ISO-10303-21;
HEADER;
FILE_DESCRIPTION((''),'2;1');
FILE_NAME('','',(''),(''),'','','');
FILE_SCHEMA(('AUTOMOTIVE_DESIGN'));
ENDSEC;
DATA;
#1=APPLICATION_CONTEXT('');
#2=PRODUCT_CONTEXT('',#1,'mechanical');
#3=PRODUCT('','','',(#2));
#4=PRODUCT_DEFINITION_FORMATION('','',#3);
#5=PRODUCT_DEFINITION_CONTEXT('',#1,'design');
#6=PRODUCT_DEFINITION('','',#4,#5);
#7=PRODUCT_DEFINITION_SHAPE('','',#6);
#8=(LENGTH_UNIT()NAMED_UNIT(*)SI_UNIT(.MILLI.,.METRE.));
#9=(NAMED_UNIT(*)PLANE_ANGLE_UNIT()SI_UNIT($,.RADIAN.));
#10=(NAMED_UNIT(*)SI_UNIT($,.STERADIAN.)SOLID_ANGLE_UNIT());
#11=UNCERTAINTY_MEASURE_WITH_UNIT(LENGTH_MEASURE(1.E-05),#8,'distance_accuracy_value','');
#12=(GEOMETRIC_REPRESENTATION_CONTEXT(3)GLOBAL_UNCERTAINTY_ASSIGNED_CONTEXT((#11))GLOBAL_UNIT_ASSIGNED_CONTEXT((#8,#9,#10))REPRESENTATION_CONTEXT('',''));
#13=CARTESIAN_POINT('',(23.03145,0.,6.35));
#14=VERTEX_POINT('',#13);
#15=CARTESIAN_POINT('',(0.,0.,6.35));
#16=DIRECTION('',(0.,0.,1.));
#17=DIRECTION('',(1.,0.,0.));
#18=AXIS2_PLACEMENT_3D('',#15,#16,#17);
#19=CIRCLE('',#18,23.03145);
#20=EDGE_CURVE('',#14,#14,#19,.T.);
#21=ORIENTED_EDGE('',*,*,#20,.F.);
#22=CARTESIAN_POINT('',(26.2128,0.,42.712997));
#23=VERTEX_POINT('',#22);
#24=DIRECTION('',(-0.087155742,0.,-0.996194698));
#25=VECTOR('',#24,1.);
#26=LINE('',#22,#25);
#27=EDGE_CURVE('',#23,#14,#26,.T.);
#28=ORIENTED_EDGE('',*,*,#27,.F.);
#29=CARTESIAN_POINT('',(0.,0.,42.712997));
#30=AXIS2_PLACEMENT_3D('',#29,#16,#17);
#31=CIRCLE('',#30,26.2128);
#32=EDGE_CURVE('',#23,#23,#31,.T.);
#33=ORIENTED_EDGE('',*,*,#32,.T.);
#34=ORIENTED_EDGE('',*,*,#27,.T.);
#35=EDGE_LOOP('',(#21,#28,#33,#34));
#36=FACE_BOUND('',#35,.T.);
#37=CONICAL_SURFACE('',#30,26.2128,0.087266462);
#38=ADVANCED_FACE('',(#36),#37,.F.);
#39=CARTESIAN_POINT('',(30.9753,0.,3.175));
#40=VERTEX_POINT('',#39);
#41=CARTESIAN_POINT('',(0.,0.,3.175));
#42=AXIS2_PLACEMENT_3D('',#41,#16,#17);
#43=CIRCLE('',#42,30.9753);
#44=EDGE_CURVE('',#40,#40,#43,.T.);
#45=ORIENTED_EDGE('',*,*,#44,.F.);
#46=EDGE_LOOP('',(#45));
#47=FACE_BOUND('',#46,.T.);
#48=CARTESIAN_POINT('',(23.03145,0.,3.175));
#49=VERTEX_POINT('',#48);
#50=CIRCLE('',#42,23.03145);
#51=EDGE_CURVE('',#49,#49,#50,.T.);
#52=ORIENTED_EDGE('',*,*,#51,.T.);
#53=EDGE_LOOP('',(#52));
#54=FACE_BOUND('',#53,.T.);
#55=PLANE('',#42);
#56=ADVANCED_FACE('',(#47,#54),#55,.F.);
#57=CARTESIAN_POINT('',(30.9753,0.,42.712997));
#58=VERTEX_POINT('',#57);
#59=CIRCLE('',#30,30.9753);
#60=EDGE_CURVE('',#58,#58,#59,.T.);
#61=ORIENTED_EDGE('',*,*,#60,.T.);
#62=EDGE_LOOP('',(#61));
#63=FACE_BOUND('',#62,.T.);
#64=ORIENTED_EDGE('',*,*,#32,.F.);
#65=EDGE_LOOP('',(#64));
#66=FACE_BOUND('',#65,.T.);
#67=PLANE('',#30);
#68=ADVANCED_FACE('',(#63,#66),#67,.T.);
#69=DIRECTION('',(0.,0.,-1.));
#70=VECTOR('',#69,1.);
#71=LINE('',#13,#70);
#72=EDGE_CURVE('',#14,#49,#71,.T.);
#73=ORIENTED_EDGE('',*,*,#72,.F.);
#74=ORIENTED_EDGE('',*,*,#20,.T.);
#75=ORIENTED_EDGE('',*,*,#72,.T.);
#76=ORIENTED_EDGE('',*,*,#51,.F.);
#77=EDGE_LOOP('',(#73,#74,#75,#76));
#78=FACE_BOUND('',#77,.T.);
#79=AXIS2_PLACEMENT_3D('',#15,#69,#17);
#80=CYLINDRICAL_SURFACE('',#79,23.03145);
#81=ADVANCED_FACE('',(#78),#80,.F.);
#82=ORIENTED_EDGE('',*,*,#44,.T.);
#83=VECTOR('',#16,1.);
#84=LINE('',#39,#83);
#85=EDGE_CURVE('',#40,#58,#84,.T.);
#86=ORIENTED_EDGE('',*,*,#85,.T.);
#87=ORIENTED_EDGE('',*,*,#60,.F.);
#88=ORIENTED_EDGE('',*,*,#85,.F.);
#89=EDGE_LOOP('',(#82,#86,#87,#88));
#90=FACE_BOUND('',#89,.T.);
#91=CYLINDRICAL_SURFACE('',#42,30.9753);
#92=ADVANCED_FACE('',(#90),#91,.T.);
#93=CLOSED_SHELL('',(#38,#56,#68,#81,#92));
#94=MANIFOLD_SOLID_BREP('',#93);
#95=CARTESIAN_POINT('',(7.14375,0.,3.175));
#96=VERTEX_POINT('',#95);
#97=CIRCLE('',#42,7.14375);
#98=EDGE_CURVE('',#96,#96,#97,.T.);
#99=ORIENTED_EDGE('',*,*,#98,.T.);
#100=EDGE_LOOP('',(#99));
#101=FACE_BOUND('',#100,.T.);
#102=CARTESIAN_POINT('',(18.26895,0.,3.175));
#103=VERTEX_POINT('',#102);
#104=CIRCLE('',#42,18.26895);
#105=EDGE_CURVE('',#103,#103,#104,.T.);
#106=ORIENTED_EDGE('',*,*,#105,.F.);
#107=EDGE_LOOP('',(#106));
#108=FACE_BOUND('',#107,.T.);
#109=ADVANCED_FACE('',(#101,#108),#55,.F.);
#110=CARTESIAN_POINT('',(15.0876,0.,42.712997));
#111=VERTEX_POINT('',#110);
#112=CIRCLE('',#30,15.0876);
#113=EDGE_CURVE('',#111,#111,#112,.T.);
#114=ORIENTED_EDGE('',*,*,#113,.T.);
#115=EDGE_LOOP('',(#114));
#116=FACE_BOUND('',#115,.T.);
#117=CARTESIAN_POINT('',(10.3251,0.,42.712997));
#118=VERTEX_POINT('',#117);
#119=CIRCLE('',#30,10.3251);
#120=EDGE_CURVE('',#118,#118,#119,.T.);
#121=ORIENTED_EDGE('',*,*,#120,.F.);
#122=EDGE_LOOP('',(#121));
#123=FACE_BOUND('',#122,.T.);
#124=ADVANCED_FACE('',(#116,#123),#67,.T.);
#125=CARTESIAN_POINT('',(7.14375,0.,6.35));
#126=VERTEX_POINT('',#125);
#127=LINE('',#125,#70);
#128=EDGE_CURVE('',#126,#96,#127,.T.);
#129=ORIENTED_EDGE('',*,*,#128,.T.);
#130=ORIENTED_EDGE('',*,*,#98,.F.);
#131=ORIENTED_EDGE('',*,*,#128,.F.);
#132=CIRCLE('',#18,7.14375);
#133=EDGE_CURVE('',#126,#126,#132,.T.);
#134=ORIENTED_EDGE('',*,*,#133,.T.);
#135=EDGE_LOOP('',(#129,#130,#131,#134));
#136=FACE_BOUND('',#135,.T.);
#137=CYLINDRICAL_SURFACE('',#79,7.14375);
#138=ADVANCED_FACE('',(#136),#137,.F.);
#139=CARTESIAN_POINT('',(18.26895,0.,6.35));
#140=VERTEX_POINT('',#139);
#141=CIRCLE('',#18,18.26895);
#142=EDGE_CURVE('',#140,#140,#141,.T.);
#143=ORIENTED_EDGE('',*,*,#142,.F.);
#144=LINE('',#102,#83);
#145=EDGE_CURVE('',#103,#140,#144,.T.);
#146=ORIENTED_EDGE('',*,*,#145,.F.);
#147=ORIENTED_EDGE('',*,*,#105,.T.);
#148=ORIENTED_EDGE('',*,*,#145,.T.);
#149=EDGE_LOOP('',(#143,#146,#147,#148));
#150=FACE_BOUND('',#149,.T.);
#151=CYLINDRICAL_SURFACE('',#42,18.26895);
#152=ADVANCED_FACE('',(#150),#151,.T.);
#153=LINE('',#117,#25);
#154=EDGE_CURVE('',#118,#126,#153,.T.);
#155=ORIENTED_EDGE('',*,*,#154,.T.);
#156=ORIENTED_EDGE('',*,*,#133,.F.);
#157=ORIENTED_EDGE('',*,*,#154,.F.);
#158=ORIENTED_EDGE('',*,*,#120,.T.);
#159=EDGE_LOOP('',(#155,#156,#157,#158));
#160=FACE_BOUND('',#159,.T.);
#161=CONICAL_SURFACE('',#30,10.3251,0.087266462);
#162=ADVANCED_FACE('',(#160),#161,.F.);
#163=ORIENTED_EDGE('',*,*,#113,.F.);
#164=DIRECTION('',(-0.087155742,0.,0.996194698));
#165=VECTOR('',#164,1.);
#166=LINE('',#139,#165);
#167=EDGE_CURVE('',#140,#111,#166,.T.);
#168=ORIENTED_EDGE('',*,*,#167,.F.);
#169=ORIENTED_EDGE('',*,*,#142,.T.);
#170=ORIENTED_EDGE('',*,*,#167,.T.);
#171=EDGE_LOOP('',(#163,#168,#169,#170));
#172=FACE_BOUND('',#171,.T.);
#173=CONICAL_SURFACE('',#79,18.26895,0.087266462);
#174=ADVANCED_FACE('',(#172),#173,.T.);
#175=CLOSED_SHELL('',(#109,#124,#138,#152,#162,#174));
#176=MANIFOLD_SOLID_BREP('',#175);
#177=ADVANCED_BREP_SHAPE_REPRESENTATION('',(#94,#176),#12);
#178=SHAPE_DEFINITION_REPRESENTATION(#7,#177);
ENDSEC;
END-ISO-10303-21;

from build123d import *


with BuildPart() as f1:
    # F0 (on Front) → F1 (revolve)
    with BuildSketch(Plane.XZ):
        Polygon((10.3251, 42.712997), (7.14375, 6.35), (7.14375, 3.175), (18.26895, 3.175), (18.26895, 6.35), (15.0876, 42.712997), align=None)
        Polygon((23.03145, 3.175), (30.9753, 3.175), (30.9753, 42.712997), (26.2128, 42.712997), (23.03145, 6.35), align=None)
    revolve(axis=Axis((0, 0, 17.542447), (0, 0, 1)))


solid = f1.part
